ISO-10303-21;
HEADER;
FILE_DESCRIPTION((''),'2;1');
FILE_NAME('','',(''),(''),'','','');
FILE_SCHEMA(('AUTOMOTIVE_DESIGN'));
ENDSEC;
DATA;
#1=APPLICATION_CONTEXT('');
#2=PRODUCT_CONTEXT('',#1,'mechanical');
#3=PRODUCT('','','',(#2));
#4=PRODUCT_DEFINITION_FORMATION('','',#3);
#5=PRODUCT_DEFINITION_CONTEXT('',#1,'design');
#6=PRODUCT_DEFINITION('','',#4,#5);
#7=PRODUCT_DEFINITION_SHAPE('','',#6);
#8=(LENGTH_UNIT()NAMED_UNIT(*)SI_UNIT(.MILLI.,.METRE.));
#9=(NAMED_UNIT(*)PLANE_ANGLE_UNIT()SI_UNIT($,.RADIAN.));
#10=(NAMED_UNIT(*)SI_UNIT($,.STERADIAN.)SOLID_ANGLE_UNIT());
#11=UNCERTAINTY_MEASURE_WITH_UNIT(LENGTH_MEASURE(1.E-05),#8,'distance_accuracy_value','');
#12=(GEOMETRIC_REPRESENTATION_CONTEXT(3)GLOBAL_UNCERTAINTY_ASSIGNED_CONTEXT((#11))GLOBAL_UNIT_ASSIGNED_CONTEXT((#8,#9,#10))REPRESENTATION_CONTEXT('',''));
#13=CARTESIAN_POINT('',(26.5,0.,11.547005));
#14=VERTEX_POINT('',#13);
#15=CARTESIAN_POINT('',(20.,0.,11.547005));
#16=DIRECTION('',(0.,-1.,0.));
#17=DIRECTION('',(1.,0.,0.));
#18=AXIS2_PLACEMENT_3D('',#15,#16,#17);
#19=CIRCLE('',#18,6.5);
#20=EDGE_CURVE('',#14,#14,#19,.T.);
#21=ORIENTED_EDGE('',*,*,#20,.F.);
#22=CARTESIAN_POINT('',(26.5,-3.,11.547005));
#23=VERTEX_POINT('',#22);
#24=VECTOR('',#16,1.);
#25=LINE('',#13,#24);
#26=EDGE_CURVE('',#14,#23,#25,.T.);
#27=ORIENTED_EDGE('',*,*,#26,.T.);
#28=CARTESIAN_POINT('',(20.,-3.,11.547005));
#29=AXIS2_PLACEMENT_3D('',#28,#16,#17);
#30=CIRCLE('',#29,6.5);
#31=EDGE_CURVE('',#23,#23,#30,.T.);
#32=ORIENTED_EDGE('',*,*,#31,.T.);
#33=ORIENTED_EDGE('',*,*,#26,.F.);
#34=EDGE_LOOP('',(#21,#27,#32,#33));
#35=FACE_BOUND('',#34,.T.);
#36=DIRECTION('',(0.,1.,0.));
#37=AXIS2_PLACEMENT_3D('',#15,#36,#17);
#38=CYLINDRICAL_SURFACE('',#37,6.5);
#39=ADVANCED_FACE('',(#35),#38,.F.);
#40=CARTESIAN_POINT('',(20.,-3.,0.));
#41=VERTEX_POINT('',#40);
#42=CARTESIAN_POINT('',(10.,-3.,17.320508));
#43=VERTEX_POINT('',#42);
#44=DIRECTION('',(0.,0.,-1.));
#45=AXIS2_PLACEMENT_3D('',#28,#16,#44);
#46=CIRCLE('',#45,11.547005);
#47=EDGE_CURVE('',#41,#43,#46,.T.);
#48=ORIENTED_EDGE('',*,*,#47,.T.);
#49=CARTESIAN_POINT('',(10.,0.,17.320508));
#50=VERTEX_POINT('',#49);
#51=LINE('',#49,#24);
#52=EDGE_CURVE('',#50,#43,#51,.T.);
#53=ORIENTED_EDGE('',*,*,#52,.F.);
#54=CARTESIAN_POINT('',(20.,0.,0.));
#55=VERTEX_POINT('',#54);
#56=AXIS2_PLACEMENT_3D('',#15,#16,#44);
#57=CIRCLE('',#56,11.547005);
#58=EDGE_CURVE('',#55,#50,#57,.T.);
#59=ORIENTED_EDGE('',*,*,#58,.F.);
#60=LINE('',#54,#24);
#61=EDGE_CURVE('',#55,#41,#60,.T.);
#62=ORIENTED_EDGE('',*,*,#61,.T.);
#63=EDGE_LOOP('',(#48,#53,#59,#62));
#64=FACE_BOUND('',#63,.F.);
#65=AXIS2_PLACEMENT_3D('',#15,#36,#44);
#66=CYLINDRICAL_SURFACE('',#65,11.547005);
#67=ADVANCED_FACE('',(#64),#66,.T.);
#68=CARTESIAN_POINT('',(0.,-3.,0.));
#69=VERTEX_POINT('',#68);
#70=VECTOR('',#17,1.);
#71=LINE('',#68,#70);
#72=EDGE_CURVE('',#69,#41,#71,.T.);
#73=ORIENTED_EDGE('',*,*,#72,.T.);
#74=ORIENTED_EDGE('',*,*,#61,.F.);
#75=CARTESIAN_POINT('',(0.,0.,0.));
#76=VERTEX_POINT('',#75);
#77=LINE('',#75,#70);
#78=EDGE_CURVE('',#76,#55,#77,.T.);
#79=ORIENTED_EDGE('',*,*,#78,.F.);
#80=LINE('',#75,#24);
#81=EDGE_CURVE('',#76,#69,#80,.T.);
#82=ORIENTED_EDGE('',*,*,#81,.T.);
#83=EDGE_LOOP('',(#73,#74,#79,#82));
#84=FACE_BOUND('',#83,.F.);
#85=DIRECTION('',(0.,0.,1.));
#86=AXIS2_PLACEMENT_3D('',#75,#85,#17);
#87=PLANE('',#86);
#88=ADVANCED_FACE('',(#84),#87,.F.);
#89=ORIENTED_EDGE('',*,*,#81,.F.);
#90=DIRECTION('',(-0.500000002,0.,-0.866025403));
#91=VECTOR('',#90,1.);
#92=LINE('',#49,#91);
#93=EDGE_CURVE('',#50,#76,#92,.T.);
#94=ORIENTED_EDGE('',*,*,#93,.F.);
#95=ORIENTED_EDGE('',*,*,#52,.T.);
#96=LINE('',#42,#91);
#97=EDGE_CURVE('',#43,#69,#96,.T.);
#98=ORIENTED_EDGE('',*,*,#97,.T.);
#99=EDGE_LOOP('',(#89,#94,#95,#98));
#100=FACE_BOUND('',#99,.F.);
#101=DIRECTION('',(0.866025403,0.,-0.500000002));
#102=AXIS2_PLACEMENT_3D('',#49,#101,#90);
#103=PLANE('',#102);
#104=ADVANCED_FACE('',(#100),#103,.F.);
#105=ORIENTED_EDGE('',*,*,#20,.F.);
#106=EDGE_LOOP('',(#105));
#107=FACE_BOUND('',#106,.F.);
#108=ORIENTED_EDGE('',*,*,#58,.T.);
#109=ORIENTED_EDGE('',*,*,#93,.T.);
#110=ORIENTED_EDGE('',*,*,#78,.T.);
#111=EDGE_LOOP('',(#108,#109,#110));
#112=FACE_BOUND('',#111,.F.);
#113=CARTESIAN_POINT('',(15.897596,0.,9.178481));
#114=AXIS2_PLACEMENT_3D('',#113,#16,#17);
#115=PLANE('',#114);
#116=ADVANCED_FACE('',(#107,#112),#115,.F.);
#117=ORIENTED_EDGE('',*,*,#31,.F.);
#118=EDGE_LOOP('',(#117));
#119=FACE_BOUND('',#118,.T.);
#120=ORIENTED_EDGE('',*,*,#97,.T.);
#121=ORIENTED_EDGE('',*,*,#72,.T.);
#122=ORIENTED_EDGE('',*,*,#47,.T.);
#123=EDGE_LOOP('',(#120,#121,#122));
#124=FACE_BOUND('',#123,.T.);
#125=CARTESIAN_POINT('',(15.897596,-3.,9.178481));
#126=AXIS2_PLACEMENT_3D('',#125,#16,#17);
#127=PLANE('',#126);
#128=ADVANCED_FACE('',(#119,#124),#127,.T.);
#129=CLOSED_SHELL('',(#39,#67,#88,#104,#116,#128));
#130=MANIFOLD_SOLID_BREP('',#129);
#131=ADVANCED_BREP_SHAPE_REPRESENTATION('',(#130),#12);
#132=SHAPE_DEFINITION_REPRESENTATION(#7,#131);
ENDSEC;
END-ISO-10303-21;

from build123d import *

# Parameters (mm, degrees)
F0_R     = 6.5
F1_DEPTH = 3


with BuildPart() as f1:
    # F0 (on Front) → F1 (new body)
    with BuildSketch(Plane.XZ):
        with BuildLine():
            Line((10, 17.320508), (0, 0))
            Line((0, 0), (20, 0))
            ThreePointArc((20, 0), (30, 17.320508), (10, 17.320508))
        make_face()
        with Locations((20, 11.547005)):
            Circle(F0_R, mode=Mode.SUBTRACT)
    extrude(amount=F1_DEPTH)


solid = f1.part
